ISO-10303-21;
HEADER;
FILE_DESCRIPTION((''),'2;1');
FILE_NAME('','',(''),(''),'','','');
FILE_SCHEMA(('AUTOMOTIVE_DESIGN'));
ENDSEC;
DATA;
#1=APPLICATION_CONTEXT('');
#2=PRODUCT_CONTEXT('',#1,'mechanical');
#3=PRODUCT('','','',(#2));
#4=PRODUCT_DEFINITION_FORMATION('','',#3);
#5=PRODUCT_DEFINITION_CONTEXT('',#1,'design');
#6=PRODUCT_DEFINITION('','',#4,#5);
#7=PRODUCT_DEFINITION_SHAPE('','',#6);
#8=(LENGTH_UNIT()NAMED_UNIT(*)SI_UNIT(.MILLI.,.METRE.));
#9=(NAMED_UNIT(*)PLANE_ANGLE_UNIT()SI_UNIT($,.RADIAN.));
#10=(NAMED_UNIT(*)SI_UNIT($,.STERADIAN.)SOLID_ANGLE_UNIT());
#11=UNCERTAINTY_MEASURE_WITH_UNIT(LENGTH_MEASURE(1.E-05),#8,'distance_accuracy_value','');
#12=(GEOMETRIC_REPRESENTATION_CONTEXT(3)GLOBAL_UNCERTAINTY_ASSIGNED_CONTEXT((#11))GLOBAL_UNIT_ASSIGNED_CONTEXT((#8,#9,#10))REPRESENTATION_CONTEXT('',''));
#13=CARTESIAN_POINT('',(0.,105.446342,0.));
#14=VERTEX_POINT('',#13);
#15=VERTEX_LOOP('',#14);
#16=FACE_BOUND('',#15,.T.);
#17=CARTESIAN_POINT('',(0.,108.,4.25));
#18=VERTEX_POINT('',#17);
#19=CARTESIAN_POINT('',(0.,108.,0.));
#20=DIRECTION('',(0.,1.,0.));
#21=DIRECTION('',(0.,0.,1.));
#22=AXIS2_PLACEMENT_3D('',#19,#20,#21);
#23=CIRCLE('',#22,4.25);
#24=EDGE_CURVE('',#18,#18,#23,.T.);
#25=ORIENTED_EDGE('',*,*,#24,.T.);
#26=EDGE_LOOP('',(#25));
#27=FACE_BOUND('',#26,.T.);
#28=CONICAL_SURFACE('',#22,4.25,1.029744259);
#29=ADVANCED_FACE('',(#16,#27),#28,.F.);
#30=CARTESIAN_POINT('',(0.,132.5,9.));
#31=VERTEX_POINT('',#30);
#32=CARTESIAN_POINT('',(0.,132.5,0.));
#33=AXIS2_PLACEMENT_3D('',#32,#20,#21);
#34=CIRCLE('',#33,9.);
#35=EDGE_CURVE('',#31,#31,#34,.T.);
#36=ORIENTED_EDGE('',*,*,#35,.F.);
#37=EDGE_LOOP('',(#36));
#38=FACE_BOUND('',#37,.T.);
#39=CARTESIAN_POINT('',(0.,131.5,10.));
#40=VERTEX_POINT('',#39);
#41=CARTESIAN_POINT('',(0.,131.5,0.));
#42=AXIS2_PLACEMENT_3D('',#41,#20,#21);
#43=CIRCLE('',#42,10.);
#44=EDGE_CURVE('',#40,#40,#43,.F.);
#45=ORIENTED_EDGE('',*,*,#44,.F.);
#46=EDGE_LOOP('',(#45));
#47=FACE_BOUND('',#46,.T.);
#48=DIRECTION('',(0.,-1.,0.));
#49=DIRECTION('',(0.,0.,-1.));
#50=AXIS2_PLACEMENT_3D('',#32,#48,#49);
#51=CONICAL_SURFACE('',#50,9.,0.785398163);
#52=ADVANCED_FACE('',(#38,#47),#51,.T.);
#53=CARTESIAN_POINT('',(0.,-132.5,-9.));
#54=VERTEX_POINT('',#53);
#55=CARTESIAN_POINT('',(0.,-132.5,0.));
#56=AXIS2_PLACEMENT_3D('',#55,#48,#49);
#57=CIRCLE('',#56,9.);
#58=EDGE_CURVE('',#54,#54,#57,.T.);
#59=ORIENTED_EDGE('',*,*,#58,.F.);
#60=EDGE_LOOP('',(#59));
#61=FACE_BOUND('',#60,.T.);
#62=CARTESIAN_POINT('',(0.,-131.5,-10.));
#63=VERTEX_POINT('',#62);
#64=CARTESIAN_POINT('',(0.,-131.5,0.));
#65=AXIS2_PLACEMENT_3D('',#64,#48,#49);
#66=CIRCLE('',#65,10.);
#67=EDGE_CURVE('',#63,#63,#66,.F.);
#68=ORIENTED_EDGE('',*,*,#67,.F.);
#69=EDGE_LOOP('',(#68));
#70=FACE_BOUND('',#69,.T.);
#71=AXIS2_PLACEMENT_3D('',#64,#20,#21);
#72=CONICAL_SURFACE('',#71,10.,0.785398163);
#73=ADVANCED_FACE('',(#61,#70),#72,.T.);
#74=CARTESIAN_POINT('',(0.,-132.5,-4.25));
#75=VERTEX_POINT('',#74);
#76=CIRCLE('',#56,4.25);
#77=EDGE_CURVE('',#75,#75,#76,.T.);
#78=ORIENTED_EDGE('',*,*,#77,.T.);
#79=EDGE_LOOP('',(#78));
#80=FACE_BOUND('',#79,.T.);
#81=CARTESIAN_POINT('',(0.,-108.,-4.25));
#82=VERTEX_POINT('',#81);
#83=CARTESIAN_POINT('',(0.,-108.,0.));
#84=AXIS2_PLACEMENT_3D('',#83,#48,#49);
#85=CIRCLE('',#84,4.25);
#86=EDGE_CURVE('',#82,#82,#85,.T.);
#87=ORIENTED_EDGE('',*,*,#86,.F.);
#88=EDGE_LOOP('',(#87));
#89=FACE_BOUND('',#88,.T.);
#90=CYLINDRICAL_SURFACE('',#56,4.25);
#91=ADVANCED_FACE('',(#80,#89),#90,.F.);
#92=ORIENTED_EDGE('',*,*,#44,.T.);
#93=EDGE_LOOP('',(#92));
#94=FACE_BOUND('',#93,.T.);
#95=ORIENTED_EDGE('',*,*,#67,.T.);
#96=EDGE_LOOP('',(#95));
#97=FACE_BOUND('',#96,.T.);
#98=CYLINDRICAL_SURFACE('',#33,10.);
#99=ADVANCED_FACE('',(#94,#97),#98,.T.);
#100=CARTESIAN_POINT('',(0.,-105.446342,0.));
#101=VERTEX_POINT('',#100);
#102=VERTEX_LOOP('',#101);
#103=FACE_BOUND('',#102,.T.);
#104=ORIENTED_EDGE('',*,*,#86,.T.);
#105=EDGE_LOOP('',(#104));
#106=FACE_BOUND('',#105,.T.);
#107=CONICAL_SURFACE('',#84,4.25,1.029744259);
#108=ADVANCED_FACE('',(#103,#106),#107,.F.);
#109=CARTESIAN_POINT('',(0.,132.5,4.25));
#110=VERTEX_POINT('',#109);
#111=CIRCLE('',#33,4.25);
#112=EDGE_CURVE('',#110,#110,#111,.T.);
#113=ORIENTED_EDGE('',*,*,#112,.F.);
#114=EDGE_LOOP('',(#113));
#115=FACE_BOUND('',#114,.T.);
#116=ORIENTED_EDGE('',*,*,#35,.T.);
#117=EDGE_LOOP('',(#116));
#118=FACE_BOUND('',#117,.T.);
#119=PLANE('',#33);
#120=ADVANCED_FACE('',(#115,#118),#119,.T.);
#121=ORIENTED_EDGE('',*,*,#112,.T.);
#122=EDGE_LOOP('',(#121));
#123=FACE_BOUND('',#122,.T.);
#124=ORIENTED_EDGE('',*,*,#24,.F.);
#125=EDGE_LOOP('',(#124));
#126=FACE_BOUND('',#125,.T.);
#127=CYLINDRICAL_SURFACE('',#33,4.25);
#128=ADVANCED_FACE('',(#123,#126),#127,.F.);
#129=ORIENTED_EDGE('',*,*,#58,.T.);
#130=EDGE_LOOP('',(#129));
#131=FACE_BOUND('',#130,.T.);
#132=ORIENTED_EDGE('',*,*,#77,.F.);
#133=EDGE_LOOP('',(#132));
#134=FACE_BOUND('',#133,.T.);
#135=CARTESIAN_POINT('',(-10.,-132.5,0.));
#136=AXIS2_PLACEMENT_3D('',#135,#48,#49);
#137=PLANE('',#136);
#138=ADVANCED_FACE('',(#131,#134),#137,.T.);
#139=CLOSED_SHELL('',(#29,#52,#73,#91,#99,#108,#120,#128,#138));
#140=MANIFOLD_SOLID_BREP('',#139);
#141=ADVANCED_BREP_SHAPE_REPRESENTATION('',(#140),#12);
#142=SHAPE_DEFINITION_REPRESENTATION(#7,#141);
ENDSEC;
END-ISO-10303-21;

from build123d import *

# Parameters (mm, degrees)
SKETCH1_W     = 10
SKETCH1_H     = 265
CHAMFER1_SIZE = 1


with BuildPart() as part:
    # Sketch1 → Revolve2 (revolve)
    with BuildSketch(Plane.XY):
        with Locations((-5, 0)):
            Rectangle(SKETCH1_W, SKETCH1_H)
    revolve(axis=Axis((0, 132.5, 0), (0, -1, 0)))

    # Sketch3 → M10 Tapped Hole1 (revolve, cut)
    with BuildSketch(Plane(origin=(0, -132.5, 0), x_dir=(0, 0, -1), z_dir=(1, 0, 0))):
        Polygon((0, 0), (0, 27.053657631), (4.25, 24.5), (4.25, 0), align=None)
    m10_tapped_hole1 = revolve(axis=Axis((0, -138.85, 0), (0, 1, 0)), mode=Mode.SUBTRACT)

    # Mirror1: M10 Tapped Hole1 across plane
    add(m10_tapped_hole1.mirror(Plane.ZX), mode=Mode.SUBTRACT)

    # Chamfer1
    chamfer1_edges = [part.edges().sort_by_distance(p)[0] for p in [
        (10, -132.5, 0),
        (10, 132.5, 0),
    ]]
    chamfer(chamfer1_edges, length=CHAMFER1_SIZE)


solid = part.part
